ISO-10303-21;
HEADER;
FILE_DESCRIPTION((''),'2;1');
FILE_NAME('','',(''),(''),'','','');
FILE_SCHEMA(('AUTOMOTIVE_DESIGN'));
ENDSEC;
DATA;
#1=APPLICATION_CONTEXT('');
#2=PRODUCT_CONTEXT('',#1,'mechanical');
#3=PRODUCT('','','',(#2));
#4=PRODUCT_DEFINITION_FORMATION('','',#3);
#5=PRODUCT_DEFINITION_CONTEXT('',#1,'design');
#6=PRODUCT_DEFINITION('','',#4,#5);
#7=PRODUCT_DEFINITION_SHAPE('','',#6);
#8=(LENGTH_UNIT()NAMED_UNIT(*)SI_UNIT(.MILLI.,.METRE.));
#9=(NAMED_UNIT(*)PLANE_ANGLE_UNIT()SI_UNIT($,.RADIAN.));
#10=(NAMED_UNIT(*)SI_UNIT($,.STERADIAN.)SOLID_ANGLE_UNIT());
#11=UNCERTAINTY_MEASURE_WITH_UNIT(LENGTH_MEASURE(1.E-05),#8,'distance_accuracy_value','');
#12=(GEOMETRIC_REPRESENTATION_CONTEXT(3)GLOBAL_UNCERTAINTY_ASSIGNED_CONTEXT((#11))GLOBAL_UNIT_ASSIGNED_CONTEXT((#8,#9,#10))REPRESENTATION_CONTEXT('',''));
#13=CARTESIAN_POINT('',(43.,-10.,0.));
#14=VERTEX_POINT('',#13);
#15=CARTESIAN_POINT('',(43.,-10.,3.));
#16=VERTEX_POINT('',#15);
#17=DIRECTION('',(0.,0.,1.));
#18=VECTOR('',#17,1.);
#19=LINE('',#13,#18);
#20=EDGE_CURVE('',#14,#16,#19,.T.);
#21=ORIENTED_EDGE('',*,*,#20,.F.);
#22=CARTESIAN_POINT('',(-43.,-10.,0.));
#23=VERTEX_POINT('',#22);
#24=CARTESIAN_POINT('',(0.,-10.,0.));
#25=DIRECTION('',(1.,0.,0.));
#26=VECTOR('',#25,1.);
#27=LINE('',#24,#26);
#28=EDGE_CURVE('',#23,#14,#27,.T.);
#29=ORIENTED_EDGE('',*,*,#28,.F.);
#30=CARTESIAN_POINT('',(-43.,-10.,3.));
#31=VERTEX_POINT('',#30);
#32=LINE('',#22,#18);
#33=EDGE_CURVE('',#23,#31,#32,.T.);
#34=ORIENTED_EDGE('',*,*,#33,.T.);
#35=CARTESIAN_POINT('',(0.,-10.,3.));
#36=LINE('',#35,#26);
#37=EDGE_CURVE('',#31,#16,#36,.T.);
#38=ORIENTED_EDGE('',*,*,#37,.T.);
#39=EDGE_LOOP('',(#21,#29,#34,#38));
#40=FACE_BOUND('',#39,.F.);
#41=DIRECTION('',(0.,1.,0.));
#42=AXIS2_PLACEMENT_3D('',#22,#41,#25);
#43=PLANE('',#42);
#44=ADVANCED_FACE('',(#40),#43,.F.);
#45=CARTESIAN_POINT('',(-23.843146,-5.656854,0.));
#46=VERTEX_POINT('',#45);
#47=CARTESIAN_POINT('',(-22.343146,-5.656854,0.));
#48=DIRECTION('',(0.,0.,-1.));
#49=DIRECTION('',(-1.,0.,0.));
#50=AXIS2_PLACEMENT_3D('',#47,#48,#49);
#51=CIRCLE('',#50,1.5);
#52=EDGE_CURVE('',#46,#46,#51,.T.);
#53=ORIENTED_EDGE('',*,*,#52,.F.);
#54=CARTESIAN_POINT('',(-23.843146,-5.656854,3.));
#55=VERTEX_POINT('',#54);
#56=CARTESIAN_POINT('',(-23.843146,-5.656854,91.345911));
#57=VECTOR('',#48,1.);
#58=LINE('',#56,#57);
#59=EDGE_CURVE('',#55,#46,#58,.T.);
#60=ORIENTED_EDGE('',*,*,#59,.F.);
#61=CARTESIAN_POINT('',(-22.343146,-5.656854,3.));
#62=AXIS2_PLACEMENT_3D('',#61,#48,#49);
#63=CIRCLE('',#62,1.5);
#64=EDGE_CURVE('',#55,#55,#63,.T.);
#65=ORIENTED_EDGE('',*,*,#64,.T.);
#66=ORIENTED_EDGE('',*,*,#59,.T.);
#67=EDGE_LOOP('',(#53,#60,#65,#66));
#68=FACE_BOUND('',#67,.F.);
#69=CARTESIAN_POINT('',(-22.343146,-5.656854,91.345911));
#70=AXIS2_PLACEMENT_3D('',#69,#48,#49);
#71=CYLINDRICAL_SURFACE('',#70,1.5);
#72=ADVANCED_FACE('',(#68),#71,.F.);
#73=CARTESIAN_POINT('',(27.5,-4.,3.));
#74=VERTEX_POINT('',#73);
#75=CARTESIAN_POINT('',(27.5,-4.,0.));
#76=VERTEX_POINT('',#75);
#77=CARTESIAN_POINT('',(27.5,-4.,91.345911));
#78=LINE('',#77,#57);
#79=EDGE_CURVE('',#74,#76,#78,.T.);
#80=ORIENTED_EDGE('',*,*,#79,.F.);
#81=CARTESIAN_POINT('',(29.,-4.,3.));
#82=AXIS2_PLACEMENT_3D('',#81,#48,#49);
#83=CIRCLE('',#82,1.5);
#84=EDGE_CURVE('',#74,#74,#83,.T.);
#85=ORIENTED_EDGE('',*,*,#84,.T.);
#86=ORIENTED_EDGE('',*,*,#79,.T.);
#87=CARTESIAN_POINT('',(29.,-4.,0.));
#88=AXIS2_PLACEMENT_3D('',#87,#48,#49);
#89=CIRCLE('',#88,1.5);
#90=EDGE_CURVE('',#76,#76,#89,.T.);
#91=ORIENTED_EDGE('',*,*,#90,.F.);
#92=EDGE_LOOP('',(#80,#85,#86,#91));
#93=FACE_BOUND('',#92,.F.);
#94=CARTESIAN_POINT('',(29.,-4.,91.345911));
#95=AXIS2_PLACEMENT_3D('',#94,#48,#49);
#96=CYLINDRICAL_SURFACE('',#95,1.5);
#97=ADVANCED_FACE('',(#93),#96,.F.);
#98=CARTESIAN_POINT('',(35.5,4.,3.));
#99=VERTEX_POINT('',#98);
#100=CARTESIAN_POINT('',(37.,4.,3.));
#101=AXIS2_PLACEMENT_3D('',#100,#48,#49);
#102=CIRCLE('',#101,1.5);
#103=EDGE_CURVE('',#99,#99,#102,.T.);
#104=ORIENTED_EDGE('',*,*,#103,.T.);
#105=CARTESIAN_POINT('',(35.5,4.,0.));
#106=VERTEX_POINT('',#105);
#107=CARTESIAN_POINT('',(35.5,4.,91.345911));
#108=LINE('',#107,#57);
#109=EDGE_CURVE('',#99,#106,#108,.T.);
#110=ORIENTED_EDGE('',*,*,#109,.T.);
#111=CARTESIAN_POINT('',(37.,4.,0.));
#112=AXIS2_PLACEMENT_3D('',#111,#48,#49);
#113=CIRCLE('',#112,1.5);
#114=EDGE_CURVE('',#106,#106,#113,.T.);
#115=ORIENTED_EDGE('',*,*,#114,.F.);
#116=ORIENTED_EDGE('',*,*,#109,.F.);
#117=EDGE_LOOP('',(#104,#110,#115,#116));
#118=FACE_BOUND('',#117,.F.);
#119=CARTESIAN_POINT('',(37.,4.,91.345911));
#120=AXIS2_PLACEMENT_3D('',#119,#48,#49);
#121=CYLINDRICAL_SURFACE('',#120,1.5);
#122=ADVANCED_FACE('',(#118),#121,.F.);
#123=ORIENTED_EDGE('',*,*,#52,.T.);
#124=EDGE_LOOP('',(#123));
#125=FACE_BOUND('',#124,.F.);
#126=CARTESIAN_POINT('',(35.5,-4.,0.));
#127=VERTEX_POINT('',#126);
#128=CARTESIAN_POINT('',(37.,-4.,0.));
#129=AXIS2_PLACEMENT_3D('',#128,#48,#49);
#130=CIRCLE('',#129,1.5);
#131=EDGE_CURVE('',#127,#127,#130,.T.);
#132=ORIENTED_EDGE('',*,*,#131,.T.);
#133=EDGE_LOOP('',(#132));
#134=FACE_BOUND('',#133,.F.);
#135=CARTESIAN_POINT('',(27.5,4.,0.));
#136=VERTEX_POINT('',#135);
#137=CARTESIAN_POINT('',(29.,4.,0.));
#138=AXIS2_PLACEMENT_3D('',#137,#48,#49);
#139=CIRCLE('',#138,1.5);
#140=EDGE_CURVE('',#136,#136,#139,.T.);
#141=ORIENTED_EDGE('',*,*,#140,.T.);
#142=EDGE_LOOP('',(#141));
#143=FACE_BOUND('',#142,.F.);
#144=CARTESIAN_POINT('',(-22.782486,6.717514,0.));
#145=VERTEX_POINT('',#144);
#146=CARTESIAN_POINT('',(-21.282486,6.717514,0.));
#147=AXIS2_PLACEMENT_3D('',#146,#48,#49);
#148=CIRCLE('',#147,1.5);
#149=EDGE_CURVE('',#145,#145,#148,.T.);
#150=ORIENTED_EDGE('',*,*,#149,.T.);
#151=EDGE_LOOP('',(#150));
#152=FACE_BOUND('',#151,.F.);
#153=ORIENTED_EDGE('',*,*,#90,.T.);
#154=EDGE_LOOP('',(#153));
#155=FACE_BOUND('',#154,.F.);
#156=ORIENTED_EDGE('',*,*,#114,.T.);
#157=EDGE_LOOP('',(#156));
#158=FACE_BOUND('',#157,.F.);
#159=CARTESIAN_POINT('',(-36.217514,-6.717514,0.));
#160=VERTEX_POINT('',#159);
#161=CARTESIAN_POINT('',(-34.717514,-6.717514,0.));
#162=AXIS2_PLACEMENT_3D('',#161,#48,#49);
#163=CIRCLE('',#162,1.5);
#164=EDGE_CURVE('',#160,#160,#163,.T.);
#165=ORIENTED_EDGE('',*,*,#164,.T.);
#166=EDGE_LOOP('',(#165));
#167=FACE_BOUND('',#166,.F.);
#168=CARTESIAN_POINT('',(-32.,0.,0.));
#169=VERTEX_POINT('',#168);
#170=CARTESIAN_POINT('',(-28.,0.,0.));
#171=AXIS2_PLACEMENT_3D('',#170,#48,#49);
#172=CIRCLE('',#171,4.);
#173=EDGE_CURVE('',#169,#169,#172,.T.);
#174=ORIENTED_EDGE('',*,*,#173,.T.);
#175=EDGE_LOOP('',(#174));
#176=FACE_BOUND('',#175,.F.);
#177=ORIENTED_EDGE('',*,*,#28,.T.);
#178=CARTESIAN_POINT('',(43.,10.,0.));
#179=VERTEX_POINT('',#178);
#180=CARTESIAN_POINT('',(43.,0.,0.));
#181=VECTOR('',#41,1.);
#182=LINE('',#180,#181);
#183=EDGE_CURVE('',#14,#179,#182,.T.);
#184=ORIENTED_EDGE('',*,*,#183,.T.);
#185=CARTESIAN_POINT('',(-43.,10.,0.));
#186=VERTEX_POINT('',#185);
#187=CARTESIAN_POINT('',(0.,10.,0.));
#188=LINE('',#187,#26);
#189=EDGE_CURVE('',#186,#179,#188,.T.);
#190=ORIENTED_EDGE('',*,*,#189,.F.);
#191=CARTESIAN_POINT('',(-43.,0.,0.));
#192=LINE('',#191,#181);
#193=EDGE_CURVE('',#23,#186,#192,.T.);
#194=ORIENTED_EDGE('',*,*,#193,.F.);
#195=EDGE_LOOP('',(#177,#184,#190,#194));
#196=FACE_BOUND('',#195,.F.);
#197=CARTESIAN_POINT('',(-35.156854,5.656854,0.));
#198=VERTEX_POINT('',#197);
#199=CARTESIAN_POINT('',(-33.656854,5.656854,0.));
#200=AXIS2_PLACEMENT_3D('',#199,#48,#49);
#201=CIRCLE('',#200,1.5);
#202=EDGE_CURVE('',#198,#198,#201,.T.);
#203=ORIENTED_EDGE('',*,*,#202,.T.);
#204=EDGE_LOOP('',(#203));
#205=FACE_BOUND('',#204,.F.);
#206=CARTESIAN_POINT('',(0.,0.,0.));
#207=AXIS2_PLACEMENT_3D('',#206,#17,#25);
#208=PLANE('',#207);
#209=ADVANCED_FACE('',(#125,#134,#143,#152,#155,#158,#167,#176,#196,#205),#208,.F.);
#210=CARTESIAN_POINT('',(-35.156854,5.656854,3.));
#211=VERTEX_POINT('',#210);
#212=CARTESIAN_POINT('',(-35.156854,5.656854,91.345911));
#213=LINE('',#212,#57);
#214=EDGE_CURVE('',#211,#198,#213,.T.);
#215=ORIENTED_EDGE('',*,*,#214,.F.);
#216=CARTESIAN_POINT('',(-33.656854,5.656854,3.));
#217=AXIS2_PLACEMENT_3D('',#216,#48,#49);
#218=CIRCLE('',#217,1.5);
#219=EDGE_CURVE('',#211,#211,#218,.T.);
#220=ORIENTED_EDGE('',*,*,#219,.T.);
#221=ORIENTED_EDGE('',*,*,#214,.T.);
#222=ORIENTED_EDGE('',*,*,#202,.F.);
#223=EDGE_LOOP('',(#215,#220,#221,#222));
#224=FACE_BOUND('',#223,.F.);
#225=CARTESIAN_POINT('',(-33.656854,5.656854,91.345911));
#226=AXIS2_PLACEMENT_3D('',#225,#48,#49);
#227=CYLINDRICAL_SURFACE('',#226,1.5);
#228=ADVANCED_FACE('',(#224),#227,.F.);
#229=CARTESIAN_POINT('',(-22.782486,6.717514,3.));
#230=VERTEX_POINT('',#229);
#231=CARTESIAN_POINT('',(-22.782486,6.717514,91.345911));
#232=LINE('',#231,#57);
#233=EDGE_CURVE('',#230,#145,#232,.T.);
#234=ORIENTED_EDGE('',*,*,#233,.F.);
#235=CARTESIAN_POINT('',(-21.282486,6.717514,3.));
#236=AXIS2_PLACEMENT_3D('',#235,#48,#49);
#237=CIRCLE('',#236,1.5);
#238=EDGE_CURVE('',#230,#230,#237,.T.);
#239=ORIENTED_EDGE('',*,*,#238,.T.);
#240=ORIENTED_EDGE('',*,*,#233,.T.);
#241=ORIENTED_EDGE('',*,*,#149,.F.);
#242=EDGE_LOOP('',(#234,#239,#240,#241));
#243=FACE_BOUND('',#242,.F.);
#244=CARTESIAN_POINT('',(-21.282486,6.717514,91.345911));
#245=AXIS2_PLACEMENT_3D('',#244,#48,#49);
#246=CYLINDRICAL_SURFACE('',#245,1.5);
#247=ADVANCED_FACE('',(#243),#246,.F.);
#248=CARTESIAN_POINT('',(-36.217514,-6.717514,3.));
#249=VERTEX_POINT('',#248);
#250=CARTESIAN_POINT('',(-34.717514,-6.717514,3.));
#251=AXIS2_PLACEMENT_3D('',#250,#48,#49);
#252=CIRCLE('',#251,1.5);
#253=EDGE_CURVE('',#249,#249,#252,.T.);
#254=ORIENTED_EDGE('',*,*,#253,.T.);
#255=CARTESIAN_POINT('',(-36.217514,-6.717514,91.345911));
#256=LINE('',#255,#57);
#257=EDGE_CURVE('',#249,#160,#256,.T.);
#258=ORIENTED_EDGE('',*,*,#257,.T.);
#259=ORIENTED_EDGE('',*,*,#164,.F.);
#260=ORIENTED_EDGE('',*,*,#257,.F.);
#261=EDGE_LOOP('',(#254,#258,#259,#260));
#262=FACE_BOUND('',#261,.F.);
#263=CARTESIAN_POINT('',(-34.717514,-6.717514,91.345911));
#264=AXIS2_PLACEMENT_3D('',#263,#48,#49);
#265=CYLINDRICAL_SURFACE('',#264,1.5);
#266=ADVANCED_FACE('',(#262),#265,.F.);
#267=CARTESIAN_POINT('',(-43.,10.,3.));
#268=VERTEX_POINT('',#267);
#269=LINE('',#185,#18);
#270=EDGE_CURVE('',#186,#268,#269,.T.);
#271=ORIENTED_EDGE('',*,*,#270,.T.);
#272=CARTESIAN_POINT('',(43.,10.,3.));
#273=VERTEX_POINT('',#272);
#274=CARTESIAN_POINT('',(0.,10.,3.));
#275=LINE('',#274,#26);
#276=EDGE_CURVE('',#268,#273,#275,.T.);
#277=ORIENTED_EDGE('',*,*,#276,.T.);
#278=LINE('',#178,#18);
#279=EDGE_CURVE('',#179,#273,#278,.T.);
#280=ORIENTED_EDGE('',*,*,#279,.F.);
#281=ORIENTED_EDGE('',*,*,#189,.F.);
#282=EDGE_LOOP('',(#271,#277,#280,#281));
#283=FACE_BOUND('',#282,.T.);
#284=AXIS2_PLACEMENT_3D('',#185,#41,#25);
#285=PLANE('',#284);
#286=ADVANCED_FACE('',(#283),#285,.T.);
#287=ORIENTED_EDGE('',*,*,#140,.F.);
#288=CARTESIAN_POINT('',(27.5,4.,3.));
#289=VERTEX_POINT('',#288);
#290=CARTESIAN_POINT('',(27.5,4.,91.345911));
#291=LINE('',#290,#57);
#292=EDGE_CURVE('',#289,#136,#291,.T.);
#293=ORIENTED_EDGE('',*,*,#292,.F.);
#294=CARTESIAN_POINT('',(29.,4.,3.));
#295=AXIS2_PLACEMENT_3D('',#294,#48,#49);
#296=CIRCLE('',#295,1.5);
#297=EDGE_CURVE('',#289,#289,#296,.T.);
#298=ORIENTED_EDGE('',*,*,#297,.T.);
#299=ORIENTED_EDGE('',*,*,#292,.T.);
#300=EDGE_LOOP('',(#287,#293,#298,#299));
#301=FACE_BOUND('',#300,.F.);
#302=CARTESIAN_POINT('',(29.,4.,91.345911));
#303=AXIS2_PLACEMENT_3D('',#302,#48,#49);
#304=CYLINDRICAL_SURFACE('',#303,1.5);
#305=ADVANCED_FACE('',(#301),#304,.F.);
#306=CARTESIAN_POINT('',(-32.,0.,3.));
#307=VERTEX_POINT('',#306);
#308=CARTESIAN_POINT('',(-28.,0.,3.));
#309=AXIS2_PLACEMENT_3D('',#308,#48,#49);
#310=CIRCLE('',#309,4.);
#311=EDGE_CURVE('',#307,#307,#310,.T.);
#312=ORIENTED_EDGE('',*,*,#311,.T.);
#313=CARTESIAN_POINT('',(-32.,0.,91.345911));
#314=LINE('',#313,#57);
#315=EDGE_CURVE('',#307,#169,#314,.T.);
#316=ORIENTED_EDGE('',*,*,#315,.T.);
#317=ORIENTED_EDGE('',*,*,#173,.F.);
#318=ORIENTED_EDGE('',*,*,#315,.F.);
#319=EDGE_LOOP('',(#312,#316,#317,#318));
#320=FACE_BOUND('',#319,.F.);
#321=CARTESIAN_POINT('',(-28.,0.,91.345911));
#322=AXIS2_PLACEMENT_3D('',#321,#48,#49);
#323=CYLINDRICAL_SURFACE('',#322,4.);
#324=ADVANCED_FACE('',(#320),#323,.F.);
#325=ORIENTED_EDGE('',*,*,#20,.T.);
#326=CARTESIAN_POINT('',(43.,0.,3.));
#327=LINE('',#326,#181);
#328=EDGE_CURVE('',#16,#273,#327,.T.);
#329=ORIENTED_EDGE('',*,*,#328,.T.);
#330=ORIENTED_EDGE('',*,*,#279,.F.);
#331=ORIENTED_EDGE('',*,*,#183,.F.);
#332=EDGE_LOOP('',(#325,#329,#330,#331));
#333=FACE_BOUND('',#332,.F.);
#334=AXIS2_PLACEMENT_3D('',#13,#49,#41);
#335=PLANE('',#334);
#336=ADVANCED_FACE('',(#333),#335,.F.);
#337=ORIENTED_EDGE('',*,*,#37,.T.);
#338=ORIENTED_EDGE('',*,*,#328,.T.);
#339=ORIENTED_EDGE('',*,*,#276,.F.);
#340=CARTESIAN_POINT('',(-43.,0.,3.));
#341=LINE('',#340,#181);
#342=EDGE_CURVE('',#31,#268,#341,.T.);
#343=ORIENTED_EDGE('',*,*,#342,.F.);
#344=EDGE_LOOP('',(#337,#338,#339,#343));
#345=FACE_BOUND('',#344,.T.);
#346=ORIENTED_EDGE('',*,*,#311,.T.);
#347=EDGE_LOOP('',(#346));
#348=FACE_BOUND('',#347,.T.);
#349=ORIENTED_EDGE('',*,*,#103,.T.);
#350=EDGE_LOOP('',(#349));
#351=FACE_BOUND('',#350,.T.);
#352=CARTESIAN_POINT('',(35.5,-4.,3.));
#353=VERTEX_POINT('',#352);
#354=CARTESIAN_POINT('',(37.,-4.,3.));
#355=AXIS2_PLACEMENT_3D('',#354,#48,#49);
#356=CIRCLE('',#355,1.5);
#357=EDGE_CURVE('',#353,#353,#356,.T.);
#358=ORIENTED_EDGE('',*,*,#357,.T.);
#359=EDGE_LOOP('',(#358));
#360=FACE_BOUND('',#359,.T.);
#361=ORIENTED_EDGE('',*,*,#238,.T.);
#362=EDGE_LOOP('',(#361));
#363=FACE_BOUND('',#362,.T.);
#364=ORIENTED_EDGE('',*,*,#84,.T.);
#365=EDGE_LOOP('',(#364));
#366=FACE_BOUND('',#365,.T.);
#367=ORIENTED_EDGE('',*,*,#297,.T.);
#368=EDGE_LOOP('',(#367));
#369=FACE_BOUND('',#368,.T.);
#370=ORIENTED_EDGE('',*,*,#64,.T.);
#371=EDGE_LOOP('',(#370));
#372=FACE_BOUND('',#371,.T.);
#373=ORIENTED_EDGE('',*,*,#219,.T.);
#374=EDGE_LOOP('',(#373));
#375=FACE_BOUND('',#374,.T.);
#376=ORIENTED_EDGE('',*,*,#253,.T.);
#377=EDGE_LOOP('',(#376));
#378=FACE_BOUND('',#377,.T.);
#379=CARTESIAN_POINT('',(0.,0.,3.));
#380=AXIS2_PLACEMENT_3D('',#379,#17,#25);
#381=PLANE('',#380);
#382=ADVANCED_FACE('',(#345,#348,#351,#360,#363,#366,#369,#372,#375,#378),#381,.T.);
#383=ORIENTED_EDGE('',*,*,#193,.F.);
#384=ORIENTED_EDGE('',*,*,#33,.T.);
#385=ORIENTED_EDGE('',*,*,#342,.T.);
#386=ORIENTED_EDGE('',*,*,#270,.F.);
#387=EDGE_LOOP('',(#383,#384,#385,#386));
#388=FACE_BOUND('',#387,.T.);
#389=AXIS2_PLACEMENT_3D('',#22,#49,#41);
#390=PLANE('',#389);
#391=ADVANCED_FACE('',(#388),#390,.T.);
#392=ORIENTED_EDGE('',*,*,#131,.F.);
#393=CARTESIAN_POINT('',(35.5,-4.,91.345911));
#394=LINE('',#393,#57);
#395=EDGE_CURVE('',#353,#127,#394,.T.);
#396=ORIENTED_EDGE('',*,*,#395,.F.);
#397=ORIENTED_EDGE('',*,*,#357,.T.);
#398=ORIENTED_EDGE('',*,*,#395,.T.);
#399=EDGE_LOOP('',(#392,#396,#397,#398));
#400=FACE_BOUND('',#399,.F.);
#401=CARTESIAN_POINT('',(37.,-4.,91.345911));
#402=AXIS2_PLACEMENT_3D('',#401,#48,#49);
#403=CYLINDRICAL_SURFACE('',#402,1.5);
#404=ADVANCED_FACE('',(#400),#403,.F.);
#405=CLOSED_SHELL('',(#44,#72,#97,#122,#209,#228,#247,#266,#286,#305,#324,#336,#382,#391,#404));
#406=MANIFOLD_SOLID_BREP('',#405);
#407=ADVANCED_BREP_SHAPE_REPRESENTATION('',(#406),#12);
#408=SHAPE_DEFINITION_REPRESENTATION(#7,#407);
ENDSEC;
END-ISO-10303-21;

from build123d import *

# Parameters (mm, degrees)
F0_W     = 86
F0_H     = 20
F1_DEPTH = 3
F3_D     = 3
F4_D     = 8
F5_D     = 3


with BuildPart() as f1:
    # F0 (on Top) → F1 (new body)
    with BuildSketch(Plane.XY):
        Rectangle(F0_W, F0_H)
    extrude(amount=F1_DEPTH)

    # F3 (through all)
    with Locations(Plane.XY.offset(3)):
        with Locations((37, 4), (37, -4), (29, -4), (29, 4)):
            Hole(F3_D / 2)

    # F4 (through all)
    with Locations(Plane.XY.offset(3)):
        with Locations((-28, 0)):
            Hole(F4_D / 2)

    # F5 (through all)
    with Locations(Plane.XY.offset(3)):
        with Locations((-34.717514, -6.717514), (-33.656854, 5.656854), (-21.282486, 6.717514), (-22.343146, -5.656854)):
            Hole(F5_D / 2)


solid = f1.part
